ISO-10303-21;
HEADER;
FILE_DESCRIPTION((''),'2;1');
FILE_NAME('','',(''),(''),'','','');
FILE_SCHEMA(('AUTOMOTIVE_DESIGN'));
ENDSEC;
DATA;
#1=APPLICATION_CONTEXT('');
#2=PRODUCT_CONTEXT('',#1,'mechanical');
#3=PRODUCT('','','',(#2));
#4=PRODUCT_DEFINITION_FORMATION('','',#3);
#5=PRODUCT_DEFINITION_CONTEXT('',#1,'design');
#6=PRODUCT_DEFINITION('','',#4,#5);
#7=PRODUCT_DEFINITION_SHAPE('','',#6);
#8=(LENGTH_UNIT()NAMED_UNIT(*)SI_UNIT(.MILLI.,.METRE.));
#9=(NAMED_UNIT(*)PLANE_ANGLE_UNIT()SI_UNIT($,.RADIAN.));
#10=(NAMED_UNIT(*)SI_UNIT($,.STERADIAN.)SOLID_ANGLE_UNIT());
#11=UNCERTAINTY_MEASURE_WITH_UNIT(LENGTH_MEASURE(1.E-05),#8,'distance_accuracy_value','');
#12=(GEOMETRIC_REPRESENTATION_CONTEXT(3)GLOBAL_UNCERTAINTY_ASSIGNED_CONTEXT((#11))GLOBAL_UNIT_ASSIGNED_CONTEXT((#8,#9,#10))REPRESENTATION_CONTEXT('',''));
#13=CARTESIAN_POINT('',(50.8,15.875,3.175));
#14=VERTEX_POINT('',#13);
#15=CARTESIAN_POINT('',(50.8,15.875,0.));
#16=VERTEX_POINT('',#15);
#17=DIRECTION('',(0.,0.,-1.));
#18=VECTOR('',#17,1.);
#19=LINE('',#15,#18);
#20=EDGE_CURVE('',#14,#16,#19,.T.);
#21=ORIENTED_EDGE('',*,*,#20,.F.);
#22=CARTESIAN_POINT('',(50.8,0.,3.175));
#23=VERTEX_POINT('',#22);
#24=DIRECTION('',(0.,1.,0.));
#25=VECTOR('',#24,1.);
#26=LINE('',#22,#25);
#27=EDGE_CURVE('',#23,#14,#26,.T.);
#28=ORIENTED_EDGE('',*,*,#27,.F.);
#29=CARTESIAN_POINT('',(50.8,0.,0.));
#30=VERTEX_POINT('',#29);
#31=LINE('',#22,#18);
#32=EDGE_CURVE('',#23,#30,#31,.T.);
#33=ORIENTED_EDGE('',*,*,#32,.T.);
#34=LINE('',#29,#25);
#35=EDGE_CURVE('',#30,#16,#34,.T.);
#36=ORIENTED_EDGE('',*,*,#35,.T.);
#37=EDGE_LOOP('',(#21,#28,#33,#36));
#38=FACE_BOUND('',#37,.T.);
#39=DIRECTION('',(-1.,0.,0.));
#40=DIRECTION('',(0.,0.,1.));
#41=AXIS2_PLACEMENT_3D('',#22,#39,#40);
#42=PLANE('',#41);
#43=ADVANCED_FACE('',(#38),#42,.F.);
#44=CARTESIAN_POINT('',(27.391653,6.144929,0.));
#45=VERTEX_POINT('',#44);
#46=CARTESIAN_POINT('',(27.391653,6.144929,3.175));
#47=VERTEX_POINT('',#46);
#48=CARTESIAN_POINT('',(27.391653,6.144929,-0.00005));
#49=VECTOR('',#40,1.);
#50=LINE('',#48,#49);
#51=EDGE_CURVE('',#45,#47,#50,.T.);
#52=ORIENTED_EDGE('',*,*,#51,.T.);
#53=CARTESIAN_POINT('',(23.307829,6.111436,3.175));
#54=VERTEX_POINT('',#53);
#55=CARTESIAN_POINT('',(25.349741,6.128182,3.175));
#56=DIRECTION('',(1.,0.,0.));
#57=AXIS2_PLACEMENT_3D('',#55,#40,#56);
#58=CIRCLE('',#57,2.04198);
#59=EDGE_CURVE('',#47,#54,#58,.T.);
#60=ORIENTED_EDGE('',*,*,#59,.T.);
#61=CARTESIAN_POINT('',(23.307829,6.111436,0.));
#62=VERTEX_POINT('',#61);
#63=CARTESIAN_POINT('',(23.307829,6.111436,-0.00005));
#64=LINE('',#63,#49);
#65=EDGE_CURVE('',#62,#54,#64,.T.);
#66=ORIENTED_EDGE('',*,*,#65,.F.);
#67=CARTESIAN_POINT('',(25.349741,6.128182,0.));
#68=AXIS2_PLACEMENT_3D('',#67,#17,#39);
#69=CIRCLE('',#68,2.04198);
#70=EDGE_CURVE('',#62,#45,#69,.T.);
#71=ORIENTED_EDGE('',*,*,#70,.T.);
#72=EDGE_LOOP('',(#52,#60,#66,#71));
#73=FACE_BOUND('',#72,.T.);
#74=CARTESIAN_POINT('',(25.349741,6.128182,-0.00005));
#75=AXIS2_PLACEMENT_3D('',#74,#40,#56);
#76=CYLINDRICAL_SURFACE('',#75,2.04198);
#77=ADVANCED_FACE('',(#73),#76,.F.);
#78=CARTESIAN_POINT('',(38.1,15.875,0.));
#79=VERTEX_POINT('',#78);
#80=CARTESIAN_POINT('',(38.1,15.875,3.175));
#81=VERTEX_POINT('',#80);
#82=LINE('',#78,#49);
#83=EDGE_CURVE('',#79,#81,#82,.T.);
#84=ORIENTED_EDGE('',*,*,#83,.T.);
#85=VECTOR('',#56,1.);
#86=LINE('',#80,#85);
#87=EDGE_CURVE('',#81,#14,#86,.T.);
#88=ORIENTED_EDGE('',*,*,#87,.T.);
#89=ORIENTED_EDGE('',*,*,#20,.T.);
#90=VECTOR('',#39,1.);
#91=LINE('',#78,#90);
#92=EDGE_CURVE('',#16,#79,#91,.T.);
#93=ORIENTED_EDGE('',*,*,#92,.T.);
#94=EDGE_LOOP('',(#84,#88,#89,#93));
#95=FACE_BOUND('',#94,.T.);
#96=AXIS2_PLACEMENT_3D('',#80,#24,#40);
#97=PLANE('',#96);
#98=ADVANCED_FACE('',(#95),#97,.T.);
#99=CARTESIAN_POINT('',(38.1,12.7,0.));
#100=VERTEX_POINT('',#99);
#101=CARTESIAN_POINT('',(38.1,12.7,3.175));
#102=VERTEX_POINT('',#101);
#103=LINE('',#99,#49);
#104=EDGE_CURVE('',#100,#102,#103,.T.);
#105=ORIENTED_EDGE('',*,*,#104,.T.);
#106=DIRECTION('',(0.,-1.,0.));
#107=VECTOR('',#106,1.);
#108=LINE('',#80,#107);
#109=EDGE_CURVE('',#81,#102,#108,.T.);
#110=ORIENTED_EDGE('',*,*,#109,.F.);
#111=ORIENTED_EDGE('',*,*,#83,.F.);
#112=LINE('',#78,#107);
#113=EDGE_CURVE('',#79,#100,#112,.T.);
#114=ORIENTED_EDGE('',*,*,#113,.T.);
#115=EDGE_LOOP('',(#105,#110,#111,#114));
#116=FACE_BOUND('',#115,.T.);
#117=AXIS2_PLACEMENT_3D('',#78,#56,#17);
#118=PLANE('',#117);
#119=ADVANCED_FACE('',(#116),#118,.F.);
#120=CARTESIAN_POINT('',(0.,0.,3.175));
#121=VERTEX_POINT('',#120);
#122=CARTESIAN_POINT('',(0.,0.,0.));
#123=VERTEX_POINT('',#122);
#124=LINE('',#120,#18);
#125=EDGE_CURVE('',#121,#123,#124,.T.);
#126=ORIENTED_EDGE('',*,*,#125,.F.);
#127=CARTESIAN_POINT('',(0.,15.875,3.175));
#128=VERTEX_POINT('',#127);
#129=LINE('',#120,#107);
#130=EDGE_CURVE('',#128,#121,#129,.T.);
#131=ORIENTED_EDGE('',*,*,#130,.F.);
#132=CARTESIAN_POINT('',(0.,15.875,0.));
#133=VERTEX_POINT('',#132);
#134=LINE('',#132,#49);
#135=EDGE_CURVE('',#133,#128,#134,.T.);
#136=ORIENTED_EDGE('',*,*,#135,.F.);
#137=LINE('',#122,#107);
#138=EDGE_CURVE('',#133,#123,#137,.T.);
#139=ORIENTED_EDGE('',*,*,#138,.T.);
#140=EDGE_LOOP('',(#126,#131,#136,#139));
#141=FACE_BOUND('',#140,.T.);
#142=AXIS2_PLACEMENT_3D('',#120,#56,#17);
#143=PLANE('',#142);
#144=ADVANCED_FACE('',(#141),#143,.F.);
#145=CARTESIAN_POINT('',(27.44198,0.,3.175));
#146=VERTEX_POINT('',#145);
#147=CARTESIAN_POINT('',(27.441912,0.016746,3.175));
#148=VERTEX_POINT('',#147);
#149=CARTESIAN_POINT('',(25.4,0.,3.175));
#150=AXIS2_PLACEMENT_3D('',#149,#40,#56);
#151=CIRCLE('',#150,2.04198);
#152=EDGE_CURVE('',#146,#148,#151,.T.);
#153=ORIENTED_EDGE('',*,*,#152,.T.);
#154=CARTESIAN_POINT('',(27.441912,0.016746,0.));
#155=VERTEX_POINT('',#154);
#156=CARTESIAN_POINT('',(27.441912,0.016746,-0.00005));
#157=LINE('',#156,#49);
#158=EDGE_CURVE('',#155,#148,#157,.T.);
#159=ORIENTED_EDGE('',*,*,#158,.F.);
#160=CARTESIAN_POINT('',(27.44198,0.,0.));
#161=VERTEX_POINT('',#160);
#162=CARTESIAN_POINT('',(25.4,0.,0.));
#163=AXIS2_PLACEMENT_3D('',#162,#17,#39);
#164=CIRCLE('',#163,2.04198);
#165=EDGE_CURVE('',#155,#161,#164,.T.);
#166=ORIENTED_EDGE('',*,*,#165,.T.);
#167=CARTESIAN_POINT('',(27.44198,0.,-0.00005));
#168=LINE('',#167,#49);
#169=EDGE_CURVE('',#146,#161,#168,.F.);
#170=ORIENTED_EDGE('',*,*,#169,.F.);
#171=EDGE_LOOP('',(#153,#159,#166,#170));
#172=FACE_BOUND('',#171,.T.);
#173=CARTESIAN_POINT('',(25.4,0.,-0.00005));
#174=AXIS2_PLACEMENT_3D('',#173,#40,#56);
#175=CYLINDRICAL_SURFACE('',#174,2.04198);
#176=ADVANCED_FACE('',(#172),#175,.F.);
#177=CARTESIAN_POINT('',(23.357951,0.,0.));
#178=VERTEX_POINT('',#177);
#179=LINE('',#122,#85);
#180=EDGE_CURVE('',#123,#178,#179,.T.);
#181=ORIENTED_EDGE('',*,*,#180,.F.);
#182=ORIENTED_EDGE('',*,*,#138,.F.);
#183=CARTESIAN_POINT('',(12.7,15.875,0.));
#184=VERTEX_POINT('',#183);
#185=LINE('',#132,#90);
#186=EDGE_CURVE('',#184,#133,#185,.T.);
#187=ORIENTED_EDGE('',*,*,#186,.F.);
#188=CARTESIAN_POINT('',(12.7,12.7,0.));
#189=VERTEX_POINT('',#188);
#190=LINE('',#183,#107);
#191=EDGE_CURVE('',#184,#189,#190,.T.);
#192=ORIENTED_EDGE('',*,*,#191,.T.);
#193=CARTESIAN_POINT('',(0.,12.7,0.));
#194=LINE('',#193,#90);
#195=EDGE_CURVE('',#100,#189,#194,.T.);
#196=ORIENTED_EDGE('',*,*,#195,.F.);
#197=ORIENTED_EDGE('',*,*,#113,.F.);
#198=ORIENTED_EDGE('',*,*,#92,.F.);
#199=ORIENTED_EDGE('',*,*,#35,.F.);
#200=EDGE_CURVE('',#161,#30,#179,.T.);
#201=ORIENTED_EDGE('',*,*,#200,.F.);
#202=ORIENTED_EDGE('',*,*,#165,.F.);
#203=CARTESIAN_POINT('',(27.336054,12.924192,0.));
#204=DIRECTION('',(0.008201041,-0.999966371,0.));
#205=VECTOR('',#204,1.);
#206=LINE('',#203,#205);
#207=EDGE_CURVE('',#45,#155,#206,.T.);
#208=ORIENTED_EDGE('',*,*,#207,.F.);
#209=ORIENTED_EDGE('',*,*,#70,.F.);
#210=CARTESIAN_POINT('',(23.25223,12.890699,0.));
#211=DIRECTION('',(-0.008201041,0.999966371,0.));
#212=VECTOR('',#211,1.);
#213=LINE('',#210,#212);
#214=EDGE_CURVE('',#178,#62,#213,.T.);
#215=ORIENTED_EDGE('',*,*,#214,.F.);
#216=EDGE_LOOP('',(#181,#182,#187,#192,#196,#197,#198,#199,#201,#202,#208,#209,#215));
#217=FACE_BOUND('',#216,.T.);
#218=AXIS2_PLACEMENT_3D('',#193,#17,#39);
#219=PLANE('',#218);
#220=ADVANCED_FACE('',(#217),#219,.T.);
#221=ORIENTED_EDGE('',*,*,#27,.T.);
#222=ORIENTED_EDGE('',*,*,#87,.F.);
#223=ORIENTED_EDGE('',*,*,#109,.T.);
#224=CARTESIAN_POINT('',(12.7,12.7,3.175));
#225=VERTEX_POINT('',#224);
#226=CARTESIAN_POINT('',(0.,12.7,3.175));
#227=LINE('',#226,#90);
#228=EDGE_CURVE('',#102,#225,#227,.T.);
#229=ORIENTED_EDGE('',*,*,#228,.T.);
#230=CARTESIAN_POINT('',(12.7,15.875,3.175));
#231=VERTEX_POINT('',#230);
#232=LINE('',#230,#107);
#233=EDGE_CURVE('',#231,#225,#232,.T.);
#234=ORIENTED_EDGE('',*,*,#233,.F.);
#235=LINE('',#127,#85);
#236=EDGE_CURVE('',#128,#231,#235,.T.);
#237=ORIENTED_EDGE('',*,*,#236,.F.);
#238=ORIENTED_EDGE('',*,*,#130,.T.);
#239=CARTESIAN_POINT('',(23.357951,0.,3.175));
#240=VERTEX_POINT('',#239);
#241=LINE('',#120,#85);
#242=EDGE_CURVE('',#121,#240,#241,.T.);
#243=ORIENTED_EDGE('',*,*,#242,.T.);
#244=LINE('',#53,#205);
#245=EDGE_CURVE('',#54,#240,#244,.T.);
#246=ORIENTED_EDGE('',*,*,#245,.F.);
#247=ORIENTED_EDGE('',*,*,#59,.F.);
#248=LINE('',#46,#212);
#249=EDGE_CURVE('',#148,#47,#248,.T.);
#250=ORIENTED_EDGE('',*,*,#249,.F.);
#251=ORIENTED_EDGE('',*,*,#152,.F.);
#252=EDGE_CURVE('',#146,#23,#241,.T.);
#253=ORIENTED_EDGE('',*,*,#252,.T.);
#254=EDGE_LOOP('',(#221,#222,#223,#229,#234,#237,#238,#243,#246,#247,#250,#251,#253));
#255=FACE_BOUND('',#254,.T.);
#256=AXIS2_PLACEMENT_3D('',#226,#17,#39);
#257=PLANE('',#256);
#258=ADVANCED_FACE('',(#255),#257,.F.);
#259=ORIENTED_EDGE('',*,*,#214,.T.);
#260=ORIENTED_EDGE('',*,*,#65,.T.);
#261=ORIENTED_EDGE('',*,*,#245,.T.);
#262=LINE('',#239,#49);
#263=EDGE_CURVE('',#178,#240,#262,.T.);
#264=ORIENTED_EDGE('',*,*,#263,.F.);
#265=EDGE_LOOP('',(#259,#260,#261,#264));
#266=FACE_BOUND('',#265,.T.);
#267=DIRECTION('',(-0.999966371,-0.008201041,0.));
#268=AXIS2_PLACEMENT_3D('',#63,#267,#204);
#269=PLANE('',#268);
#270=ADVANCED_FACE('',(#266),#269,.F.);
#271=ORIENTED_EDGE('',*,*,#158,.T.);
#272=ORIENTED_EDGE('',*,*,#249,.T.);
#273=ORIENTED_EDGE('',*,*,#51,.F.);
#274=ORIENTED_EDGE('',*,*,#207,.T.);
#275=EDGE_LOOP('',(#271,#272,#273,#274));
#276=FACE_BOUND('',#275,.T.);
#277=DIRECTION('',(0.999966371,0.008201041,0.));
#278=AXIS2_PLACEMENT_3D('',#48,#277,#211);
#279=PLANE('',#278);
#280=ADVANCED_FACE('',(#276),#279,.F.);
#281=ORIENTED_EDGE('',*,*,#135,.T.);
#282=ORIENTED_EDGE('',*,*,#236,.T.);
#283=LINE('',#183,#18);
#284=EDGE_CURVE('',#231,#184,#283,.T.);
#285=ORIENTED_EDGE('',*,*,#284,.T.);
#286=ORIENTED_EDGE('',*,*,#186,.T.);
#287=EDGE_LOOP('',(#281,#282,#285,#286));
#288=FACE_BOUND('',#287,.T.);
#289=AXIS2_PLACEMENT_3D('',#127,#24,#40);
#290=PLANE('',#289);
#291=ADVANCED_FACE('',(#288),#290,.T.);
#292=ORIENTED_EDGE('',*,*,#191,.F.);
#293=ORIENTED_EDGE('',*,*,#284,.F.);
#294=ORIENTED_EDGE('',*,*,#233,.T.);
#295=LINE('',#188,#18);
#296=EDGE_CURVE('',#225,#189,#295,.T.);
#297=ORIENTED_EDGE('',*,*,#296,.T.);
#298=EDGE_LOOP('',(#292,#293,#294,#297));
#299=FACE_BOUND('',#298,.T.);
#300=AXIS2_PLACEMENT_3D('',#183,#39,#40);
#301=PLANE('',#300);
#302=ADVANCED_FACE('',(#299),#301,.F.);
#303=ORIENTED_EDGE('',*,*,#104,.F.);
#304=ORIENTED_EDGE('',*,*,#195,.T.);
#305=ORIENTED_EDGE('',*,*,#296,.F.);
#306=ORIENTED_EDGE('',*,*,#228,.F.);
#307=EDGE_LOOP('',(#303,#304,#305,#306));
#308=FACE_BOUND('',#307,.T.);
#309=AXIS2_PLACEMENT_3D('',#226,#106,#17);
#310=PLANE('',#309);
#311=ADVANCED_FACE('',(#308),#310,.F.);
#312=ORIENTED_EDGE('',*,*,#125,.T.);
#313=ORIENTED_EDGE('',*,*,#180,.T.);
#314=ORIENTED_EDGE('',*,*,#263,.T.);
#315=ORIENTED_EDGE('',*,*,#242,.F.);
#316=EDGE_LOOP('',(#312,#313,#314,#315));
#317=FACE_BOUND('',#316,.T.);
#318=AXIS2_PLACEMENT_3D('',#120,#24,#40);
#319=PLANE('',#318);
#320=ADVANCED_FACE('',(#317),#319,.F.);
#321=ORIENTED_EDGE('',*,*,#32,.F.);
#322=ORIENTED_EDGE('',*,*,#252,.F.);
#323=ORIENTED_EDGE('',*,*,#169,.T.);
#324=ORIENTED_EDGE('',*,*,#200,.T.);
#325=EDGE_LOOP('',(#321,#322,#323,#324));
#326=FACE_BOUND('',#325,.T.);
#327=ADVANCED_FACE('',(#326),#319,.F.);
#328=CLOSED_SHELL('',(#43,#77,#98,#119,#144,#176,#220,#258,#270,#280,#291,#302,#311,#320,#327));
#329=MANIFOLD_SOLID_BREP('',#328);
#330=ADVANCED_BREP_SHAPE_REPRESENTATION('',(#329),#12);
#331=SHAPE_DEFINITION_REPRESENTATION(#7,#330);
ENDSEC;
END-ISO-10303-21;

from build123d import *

# Parameters (mm, degrees)
SKETCH1_W       = 50.8
SKETCH1_H       = 12.7
EXTRUDE1_DEPTH  = 3.175
SKETCH3_W       = 12.7
SKETCH3_H       = 3.175
EXTRUDE3_DEPTH  = 3.175
LPATTERN1_COUNT = 2
LPATTERN1_PITCH = 38.1
EXTRUDE4_DEPTH  = 4.175


with BuildPart() as part:
    # Sketch1 → Extrude1 (new body)
    with BuildSketch(Plane.XY):
        with Locations((25.4, 6.35)):
            Rectangle(SKETCH1_W, SKETCH1_H)
    extrude(amount=EXTRUDE1_DEPTH)

    # Sketch3 → Extrude3 (add)
    with BuildSketch(Plane(origin=(0, 12.7, 0), x_dir=(1, 0, 0), z_dir=(0, 1, 0))):
        with Locations((6.35, -1.5875)):
            Rectangle(SKETCH3_W, SKETCH3_H)
    extrude3 = extrude(amount=EXTRUDE3_DEPTH)

    # LPattern1: Extrude3 ×2
    with Locations(*[(i * LPATTERN1_PITCH, 0, 0) for i in range(1, LPATTERN1_COUNT)]):
        add(extrude3)

    # Sketch4 → Extrude4 (cut, through all)
    with BuildSketch(Plane.XY.offset(3.175)):
        with BuildLine():
            Line((27.391652548, 6.144928853), (27.441911715, 0.016746365))
            ThreePointArc((27.441911715, 0.016746365), (25.416746365, -2.041911715), (23.358088285, -0.016746365))
            Line((23.358088285, -0.016746365), (23.307829118, 6.111436122))
            ThreePointArc((23.307829118, 6.111436122), (25.332994468, 8.170094203), (27.391652548, 6.144928853))
        make_face()
    extrude(amount=-EXTRUDE4_DEPTH, mode=Mode.SUBTRACT)


solid = part.part
